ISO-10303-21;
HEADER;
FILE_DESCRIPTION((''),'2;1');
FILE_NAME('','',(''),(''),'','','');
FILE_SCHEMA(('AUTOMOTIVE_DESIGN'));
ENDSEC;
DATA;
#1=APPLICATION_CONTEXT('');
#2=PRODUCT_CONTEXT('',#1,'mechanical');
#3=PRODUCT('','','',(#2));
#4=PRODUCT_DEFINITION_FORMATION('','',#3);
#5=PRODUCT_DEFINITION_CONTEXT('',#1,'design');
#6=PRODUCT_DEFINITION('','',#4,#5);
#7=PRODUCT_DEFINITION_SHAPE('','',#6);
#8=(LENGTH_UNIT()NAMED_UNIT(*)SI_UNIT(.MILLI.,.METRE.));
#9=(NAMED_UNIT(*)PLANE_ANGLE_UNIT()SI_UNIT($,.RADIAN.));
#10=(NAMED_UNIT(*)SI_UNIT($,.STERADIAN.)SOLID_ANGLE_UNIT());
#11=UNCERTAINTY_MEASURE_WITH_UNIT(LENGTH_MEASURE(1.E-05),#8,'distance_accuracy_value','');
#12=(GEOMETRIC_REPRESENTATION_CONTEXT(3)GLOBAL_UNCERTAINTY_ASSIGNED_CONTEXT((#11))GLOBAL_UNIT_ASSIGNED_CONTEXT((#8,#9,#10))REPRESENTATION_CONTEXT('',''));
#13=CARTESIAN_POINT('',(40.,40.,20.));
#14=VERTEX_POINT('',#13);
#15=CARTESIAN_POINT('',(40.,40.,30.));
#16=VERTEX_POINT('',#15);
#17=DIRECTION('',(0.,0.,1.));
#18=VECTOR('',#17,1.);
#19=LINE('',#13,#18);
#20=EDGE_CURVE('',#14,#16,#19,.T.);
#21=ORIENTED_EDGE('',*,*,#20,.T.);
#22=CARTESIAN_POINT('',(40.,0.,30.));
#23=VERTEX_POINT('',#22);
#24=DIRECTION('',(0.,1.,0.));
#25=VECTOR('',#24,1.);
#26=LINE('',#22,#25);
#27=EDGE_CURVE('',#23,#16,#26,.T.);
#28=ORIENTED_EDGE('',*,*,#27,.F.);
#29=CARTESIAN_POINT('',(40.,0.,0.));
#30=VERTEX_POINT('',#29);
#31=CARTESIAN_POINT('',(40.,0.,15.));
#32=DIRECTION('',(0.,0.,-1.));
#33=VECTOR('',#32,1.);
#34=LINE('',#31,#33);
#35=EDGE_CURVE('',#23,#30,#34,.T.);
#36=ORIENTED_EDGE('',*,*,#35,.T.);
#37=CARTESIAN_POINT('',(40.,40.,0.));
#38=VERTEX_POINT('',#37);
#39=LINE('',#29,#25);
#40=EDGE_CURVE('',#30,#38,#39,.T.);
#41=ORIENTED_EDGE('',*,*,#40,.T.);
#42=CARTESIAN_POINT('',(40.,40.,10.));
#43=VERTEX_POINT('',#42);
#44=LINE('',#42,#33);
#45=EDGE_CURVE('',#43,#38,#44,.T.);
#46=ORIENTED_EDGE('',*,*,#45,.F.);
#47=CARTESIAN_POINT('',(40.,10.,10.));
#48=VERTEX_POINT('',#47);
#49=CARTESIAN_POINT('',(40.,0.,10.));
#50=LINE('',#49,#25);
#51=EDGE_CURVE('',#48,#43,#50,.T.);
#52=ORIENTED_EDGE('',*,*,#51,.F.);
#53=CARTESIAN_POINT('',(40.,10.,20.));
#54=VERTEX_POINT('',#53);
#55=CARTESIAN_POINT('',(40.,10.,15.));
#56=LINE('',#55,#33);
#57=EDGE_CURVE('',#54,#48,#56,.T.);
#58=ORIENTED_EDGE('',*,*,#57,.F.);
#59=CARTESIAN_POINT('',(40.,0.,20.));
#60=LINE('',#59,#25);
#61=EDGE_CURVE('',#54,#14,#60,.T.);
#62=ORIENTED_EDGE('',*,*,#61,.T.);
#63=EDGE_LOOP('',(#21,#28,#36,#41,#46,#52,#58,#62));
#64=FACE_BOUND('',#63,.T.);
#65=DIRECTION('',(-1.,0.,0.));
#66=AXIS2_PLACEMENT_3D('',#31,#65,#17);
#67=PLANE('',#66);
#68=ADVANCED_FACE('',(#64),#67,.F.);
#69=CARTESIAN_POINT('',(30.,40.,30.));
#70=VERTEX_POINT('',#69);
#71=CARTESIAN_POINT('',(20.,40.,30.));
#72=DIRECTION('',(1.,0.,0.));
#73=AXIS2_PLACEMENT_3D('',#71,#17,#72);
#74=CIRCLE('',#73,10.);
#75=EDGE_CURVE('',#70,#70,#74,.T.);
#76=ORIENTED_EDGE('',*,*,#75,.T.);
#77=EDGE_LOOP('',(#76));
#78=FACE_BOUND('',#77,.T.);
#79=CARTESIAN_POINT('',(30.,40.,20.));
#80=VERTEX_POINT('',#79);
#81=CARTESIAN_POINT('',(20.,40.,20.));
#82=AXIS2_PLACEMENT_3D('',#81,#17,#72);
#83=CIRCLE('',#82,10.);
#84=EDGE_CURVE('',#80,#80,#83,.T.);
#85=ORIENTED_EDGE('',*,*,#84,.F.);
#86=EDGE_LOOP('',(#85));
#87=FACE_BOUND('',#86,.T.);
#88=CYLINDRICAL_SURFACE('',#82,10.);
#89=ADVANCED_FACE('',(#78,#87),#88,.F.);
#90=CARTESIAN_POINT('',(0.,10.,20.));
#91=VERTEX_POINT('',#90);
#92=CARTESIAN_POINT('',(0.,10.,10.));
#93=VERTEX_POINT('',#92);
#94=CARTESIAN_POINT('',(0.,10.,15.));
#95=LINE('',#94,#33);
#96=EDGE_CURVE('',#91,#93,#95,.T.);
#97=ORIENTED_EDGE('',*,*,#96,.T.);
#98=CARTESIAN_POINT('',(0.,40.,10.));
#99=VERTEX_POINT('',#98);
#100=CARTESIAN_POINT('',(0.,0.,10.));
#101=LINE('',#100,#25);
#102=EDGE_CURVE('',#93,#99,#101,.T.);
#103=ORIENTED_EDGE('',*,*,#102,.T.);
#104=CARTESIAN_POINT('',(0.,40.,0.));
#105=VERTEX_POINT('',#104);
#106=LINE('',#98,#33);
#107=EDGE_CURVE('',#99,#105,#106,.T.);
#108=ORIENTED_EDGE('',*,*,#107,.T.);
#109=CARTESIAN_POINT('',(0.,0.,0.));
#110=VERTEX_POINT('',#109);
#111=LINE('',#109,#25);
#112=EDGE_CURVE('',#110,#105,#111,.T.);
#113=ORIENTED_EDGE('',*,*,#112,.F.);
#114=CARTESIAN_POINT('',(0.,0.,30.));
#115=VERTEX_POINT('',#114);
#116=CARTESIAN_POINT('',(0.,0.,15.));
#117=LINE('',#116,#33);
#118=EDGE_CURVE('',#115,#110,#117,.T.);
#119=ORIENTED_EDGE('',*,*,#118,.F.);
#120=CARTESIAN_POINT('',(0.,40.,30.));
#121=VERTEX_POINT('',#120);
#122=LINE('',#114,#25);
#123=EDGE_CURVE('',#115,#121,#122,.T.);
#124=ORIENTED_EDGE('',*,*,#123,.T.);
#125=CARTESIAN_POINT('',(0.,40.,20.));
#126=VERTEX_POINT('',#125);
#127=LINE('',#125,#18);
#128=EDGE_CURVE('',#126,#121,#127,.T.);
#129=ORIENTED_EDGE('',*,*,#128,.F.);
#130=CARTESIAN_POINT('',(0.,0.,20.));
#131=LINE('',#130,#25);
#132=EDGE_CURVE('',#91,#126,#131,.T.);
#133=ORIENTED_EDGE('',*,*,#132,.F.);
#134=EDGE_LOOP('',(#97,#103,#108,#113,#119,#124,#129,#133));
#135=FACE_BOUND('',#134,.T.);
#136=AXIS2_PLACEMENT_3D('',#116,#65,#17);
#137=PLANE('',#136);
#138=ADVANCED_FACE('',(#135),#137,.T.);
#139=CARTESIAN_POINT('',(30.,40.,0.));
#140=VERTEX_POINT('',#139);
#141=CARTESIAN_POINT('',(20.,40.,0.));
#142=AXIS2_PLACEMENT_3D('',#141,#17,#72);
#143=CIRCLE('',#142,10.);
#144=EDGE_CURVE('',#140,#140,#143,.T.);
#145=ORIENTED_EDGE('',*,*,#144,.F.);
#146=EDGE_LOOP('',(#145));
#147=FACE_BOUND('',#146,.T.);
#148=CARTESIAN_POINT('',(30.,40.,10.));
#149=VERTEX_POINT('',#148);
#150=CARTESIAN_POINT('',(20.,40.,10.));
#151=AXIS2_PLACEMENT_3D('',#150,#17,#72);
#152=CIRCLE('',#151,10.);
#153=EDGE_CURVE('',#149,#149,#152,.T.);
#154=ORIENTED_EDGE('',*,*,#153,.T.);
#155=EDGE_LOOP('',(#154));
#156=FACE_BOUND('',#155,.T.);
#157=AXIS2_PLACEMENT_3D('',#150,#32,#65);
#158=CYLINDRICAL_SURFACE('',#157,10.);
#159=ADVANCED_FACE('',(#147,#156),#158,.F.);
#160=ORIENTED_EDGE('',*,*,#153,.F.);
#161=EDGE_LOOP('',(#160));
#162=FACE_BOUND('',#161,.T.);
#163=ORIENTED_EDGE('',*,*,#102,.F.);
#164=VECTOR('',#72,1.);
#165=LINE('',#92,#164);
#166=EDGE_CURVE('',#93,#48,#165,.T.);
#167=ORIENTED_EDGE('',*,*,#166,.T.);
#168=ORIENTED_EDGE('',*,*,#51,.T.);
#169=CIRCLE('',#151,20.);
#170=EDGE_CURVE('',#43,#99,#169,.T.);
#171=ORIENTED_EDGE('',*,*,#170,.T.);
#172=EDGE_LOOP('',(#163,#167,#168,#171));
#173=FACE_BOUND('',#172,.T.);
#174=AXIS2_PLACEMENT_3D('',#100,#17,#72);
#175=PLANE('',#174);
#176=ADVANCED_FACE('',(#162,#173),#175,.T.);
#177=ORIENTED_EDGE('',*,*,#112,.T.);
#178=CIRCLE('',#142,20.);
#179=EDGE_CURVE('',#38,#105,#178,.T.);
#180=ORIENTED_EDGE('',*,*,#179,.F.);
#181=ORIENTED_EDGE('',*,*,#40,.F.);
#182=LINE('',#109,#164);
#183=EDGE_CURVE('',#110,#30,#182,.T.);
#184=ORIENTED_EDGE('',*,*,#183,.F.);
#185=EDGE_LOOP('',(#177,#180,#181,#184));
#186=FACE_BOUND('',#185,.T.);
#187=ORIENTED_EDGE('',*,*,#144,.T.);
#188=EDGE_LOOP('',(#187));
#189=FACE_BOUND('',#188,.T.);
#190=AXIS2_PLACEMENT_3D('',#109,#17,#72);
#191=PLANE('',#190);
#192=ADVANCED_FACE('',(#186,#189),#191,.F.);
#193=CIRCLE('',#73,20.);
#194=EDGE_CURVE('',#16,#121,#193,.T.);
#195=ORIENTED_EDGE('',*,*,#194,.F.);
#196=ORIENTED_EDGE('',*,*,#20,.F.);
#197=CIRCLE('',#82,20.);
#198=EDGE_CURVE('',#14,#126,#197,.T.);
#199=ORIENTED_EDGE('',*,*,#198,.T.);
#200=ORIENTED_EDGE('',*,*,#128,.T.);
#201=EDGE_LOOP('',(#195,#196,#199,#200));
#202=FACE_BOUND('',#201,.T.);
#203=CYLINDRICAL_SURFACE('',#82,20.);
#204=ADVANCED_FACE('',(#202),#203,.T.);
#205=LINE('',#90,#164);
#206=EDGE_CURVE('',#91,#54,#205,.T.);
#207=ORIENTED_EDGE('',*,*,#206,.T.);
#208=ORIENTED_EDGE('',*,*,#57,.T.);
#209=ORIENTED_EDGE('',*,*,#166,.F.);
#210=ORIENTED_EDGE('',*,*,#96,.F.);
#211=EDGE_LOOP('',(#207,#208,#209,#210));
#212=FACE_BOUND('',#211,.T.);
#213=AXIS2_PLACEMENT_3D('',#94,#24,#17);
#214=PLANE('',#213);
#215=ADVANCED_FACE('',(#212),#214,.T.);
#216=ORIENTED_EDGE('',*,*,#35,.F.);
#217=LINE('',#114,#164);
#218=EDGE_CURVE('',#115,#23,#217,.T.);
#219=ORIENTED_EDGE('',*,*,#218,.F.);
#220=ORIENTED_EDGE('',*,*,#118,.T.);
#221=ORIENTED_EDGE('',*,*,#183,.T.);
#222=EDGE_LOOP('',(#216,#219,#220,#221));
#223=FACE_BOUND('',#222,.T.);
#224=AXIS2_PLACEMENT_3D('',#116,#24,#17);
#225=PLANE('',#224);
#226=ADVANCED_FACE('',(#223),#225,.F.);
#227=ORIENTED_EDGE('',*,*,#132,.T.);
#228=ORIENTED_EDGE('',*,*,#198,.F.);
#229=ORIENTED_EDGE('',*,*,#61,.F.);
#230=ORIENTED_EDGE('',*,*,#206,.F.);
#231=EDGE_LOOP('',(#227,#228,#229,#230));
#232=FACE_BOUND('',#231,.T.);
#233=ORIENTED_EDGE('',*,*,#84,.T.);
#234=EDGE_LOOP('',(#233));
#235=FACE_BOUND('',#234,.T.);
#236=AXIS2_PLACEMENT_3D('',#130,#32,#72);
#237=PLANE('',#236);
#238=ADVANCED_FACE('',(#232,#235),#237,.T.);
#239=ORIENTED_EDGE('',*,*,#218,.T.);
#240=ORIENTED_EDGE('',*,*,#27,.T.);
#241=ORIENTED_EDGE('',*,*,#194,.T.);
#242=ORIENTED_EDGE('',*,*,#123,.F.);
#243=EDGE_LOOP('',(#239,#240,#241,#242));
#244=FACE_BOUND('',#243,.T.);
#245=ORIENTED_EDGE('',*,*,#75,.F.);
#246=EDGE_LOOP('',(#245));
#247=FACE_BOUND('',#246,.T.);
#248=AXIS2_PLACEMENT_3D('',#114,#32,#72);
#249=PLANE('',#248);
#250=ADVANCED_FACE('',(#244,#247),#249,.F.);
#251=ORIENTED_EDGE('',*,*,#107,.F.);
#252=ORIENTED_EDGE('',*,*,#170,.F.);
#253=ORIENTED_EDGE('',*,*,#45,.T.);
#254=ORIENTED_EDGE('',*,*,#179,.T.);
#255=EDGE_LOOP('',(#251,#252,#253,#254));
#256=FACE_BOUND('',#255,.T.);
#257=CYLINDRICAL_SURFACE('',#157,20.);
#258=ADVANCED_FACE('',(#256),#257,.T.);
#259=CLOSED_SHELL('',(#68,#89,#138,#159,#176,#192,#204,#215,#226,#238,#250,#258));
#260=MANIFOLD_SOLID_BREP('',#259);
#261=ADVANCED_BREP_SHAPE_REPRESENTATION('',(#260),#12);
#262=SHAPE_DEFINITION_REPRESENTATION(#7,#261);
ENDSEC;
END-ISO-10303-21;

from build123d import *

# Parameters (mm, degrees)
SKETCH1_W           = 40
SKETCH1_H           = 10
BOSS_EXTRUDE1_DEPTH = 15
SKETCH1_3_R         = 10
BOSS_EXTRUDE2_DEPTH = 10


with BuildPart() as part:
    # Sketch1 → Boss-Extrude1 (new body)
    with BuildSketch(Plane.XY):
        with Locations((20, 5)):
            Rectangle(SKETCH1_W, SKETCH1_H)
    boss_extrude1 = extrude(amount=BOSS_EXTRUDE1_DEPTH)

    # Sketch1<3> → Boss-Extrude2 (add)
    with BuildSketch(Plane.XY):
        with BuildLine():
            Line((0, 40), (0, 10))
            Line((0, 10), (40, 10))
            Line((40, 10), (40, 40))
            ThreePointArc((40, 40), (20, 60), (0, 40))
        make_face()
        with Locations((20, 40)):
            Circle(SKETCH1_3_R, mode=Mode.SUBTRACT)
    boss_extrude2 = extrude(amount=BOSS_EXTRUDE2_DEPTH)

    # Mirror1: Boss-Extrude1, Boss-Extrude2 across plane
    add(boss_extrude1.mirror(Plane.XY.offset(15)))
    add(boss_extrude2.mirror(Plane.XY.offset(15)))


solid = part.part
